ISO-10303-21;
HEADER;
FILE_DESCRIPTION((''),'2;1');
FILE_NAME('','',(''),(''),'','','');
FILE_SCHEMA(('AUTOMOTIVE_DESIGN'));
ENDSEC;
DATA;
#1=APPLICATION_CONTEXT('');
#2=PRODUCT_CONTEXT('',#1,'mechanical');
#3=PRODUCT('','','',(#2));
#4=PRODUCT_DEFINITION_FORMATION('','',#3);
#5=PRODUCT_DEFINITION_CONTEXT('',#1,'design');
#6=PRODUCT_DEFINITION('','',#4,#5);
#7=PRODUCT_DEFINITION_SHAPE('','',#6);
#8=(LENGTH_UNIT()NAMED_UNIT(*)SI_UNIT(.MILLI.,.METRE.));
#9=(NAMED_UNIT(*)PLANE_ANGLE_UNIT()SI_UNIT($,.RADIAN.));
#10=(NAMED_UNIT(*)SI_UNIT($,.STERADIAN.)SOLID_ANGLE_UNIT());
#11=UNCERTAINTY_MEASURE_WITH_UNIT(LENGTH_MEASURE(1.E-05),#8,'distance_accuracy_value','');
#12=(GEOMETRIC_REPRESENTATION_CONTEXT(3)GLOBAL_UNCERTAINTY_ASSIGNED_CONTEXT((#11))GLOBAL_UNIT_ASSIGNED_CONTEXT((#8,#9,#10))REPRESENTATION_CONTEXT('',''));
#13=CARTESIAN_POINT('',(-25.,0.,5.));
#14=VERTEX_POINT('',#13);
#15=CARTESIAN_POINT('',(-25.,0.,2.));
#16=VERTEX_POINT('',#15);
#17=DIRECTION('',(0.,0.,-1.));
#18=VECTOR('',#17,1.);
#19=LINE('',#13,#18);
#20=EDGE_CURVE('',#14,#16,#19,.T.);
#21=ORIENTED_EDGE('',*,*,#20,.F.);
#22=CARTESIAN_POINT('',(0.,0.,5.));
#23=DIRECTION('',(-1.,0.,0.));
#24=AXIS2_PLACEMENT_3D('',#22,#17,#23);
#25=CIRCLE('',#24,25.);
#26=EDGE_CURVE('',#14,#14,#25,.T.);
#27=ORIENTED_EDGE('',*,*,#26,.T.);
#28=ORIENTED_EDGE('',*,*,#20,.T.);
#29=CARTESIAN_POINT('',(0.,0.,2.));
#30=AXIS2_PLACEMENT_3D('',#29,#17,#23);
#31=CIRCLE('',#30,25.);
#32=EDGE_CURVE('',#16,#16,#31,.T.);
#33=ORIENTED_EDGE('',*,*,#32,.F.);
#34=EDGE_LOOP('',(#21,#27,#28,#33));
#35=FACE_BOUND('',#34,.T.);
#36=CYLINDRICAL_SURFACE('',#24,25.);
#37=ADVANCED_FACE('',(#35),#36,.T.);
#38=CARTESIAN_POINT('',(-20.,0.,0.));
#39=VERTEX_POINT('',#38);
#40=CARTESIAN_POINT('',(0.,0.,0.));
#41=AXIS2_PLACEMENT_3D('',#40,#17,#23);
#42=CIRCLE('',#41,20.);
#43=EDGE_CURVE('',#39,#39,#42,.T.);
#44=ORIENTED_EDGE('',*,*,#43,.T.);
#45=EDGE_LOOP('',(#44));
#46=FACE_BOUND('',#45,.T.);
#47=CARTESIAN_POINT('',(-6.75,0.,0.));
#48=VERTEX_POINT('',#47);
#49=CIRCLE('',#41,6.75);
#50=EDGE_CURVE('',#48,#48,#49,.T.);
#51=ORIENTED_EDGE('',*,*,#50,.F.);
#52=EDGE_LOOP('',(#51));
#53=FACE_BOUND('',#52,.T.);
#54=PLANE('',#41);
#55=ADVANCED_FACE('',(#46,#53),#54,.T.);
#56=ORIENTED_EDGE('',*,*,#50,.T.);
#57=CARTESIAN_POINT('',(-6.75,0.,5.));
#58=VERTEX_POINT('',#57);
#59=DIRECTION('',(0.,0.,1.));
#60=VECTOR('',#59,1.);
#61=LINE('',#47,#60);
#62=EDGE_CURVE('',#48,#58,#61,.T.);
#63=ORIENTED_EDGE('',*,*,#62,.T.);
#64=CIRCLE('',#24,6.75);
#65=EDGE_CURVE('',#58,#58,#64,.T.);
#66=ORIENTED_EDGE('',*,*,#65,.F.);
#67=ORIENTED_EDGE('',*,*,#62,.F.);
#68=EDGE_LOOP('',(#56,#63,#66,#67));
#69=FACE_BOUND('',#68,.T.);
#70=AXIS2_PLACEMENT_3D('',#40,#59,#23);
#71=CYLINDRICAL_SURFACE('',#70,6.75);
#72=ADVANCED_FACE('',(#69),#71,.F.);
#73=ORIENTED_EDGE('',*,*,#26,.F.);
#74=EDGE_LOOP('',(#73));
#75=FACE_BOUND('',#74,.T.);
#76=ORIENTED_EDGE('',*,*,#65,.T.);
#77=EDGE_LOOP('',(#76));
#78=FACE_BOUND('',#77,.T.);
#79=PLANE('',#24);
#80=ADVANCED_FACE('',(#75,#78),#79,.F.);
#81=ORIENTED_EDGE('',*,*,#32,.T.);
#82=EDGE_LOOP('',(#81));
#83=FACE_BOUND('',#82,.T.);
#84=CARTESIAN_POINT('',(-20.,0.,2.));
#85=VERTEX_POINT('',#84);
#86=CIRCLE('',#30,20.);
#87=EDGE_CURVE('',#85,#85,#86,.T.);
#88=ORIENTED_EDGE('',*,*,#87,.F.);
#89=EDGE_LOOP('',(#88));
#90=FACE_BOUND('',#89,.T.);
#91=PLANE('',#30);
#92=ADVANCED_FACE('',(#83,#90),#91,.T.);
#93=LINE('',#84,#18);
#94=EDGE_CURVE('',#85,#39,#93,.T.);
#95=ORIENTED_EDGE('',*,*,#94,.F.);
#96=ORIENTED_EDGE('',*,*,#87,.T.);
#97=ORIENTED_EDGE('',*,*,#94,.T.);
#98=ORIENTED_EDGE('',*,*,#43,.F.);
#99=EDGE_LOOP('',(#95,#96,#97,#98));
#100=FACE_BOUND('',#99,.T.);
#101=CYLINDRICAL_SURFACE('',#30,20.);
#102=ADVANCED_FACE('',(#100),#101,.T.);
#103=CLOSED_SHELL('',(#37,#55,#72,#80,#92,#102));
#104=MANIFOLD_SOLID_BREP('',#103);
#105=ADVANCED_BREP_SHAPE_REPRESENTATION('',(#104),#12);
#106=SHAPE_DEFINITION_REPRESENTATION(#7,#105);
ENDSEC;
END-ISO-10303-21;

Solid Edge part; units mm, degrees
sketch "Sketch1" plane through (0, 0, 0) normal (0, -1, 0) x (1, 0, 0)
  line L0 (-6.75, 0) -> (-6.75, 5)
  line L1 (-6.75, 5) -> (-25, 5)
  line L2 (-25, 5) -> (-25, 2)
  line L3 (-25, 2) -> (-20, 2)
  line L4 (-20, 2) -> (-20, 0)
  line L5 (-20, 0) -> (-6.75, 0)
  dimension "D1" = 5
  dimension "D2" = 3
  dimension "D3" = 6.75
  dimension "D4" = 5
  dimension "D5" = 20
revolve "RevolvedProtrusion1" add sketch "Sketch1" angle 360 about axis through (0, 0, 54) along (0, 0, -1)
properties material "Aluminum, 6061-T6"
